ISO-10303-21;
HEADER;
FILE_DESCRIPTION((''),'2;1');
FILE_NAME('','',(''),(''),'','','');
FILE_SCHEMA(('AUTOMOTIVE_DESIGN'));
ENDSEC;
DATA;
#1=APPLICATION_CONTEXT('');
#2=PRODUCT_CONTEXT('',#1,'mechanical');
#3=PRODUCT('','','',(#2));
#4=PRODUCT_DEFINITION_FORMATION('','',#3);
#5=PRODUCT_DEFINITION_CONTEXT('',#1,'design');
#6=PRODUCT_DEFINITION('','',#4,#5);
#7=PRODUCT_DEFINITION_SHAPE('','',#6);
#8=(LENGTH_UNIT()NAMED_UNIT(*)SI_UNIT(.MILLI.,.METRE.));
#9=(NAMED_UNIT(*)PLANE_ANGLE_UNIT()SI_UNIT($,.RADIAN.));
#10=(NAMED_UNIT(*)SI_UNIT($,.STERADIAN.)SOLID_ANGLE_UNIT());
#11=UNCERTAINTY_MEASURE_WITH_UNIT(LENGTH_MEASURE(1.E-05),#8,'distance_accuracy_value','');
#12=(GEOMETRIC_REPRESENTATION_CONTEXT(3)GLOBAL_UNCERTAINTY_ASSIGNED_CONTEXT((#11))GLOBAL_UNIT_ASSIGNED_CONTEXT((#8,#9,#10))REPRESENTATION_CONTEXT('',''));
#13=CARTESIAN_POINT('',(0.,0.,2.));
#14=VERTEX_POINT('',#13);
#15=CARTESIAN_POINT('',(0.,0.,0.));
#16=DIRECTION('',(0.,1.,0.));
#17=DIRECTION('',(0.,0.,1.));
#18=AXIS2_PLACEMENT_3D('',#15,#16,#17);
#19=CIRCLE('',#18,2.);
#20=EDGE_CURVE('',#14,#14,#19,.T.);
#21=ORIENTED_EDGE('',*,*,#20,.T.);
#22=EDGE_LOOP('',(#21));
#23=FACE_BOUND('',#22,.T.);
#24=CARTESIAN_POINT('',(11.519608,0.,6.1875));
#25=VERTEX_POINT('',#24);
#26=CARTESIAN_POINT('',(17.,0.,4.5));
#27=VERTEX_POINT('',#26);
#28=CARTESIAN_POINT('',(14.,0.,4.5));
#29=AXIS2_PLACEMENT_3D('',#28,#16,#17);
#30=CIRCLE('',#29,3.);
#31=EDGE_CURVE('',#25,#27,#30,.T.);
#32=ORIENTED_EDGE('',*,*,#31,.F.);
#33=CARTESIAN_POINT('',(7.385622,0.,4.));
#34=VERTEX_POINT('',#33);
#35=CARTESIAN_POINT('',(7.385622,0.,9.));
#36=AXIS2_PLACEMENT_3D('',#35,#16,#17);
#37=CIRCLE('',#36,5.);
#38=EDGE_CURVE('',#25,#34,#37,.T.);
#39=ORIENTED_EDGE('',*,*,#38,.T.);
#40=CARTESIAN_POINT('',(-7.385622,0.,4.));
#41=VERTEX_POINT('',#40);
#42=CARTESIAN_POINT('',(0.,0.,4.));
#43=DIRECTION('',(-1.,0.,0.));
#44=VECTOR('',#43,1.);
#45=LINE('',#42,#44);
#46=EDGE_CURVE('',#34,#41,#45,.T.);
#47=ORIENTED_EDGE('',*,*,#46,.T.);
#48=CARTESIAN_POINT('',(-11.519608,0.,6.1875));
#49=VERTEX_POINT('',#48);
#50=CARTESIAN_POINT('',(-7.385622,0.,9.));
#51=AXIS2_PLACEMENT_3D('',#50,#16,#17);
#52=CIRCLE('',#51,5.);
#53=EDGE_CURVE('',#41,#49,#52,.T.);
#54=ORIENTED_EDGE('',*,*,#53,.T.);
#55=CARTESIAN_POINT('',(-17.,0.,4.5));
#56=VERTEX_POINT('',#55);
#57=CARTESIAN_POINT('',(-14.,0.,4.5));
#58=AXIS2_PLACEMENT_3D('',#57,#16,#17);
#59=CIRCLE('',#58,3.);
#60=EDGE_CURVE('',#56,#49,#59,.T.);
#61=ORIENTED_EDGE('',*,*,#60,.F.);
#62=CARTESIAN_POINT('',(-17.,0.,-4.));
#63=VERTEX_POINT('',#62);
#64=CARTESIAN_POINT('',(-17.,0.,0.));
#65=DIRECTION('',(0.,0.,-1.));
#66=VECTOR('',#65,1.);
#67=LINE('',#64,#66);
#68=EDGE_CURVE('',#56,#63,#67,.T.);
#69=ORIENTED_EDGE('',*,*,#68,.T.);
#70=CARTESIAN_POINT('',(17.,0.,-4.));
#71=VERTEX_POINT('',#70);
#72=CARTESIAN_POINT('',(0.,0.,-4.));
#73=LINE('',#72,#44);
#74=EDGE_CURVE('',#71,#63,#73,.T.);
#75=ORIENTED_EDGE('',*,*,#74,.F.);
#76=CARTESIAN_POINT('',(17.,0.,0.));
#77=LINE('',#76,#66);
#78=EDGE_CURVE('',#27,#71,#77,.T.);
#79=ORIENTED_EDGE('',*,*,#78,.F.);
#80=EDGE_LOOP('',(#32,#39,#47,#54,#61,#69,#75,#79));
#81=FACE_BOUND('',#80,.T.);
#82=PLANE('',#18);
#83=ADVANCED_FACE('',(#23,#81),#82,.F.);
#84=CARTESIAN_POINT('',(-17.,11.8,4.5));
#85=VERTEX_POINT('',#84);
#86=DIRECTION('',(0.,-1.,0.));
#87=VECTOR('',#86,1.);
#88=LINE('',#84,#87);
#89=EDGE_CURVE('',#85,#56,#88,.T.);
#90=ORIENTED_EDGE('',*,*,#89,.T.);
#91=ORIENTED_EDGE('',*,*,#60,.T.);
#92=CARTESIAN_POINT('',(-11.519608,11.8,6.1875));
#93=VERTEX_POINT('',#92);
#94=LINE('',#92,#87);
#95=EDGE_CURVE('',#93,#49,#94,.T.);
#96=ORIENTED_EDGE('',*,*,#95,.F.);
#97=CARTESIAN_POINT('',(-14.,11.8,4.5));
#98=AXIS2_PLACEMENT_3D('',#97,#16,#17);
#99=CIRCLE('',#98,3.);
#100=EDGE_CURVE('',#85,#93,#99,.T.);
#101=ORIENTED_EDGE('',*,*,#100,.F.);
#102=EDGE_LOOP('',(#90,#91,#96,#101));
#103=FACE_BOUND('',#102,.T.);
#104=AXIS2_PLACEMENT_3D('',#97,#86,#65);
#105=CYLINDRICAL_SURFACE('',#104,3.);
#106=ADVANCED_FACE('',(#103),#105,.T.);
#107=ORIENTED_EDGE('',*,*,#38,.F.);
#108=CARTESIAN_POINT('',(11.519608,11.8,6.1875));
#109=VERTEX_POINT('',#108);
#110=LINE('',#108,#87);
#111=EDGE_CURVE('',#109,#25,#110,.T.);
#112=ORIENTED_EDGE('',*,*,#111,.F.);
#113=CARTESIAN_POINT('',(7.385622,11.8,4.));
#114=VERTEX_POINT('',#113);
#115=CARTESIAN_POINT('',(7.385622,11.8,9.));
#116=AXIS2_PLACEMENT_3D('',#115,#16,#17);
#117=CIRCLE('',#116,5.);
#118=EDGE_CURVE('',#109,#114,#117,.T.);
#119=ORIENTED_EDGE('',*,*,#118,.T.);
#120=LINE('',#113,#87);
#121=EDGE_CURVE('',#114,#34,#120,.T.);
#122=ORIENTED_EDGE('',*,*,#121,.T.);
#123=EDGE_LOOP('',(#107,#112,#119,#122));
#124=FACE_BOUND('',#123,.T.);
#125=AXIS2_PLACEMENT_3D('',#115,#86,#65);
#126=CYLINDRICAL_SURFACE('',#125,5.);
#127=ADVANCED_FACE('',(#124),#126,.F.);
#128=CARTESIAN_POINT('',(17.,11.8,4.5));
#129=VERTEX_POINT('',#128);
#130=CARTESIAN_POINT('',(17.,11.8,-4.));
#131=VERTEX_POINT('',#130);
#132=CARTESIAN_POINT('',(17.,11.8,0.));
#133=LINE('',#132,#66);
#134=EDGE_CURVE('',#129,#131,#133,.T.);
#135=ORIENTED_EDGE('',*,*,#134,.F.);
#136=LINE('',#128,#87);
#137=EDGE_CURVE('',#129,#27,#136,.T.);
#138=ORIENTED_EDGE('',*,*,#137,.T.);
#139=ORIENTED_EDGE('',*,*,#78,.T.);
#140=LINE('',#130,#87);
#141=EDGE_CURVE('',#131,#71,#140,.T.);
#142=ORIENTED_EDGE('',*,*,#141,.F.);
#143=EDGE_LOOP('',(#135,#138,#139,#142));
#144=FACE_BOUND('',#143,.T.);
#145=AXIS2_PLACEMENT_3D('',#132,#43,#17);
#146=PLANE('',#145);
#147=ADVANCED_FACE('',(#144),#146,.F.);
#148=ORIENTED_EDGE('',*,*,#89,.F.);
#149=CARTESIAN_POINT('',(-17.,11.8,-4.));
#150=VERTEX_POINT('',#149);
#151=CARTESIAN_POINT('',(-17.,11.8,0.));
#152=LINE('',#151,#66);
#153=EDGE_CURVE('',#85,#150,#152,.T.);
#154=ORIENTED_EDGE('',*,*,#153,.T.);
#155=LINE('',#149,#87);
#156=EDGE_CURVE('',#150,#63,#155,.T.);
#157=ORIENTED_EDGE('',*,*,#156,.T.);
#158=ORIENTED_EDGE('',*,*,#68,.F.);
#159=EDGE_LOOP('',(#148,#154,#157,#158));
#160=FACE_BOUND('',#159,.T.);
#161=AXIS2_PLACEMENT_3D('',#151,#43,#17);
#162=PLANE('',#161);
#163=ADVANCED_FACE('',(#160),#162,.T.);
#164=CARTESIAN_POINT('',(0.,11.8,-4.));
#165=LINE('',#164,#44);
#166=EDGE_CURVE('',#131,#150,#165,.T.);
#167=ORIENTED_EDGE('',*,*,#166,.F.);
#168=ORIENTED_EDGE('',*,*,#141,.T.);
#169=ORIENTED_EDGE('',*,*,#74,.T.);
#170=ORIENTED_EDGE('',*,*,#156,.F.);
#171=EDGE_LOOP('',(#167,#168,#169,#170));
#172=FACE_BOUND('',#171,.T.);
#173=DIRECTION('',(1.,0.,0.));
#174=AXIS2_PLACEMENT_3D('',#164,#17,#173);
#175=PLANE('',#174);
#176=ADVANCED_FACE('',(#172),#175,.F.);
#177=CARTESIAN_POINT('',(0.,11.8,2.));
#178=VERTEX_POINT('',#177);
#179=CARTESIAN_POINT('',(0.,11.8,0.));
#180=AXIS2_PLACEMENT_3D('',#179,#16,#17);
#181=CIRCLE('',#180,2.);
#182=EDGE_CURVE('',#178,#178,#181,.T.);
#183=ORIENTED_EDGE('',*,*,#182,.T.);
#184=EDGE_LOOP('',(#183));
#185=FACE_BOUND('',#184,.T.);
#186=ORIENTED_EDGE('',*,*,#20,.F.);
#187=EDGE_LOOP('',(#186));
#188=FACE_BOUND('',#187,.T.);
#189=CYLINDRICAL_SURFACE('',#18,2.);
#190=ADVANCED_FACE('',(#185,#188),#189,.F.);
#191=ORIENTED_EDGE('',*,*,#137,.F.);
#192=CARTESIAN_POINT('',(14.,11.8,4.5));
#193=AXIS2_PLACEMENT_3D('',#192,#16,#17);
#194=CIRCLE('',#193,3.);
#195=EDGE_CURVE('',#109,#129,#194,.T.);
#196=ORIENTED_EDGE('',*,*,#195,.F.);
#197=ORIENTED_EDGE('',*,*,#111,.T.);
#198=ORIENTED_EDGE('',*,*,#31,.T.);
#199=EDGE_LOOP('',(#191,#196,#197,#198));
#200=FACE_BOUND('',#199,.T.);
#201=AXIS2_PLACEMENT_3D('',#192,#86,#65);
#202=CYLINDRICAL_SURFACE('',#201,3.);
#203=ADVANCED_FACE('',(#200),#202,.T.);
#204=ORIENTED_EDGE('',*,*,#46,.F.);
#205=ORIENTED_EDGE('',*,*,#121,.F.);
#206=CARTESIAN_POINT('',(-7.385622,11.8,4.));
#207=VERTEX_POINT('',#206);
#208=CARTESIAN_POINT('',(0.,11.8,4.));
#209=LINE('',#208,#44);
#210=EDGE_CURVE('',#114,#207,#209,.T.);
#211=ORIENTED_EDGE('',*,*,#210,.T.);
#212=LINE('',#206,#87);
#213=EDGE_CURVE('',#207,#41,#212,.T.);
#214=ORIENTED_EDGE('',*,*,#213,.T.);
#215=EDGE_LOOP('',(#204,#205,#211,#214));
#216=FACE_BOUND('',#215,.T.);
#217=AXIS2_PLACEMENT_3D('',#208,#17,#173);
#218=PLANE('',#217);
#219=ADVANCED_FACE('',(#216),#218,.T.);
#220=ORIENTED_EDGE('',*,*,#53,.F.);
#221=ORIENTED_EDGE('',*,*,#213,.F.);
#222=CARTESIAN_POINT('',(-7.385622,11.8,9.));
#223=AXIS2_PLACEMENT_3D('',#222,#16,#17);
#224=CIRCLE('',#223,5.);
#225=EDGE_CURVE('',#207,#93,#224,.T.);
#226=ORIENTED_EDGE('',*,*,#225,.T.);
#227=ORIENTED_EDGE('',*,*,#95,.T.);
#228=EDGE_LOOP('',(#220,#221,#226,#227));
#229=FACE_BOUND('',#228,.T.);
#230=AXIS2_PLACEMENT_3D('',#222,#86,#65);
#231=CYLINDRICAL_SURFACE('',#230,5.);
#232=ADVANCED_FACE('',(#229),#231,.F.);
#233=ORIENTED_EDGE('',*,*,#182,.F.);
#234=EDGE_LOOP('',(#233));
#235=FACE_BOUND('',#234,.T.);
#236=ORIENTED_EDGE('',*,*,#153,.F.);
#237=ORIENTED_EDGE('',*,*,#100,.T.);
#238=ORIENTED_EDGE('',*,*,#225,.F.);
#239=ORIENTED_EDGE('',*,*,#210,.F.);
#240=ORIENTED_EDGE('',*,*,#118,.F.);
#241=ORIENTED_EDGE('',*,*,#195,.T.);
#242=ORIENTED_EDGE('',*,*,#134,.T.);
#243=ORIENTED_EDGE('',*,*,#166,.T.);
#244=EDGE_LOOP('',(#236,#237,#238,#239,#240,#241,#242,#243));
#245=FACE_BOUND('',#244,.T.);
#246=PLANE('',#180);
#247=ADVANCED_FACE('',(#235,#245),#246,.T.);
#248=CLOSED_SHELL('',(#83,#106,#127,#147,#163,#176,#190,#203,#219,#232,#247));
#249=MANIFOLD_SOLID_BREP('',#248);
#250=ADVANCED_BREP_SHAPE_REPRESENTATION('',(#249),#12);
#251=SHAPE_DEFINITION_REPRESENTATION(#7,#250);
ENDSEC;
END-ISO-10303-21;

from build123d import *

# Parameters (mm, degrees)
BOSS_EXTRUDE1_DEPTH = 11.8
SKETCH2_R           = 2
CUT_EXTRUDE1_DEPTH  = 12.8


with BuildPart() as part:
    # Sketch1 → Boss-Extrude1 (new body)
    with BuildSketch(Plane(origin=(0, 0, 0), x_dir=(1, 0, 0), z_dir=(0, 1, 0))):
        with BuildLine():
            Line((7.385621722, -4), (-7.385621722, -4))
            ThreePointArc((-7.385621722, -4), (-9.724157589, -4.580582618), (-11.519608146, -6.1875))
            ThreePointArc((-11.519608146, -6.1875), (-14.882843258, -7.367156742), (-17, -4.5))
            Line((-17, -4.5), (-17, 4))
            Line((-17, 4), (17, 4))
            Line((17, 4), (17, -4.5))
            ThreePointArc((17, -4.5), (14.882843258, -7.367156742), (11.519608146, -6.1875))
            ThreePointArc((11.519608146, -6.1875), (9.724157589, -4.580582618), (7.385621722, -4))
        make_face()
    extrude(amount=BOSS_EXTRUDE1_DEPTH)

    # Sketch2 → Cut-Extrude1 (cut, through all)
    with BuildSketch(Plane(origin=(0, 11.8, 0), x_dir=(1, 0, 0), z_dir=(0, 1, 0))):
        Circle(SKETCH2_R)
    extrude(amount=-CUT_EXTRUDE1_DEPTH, mode=Mode.SUBTRACT)


solid = part.part
